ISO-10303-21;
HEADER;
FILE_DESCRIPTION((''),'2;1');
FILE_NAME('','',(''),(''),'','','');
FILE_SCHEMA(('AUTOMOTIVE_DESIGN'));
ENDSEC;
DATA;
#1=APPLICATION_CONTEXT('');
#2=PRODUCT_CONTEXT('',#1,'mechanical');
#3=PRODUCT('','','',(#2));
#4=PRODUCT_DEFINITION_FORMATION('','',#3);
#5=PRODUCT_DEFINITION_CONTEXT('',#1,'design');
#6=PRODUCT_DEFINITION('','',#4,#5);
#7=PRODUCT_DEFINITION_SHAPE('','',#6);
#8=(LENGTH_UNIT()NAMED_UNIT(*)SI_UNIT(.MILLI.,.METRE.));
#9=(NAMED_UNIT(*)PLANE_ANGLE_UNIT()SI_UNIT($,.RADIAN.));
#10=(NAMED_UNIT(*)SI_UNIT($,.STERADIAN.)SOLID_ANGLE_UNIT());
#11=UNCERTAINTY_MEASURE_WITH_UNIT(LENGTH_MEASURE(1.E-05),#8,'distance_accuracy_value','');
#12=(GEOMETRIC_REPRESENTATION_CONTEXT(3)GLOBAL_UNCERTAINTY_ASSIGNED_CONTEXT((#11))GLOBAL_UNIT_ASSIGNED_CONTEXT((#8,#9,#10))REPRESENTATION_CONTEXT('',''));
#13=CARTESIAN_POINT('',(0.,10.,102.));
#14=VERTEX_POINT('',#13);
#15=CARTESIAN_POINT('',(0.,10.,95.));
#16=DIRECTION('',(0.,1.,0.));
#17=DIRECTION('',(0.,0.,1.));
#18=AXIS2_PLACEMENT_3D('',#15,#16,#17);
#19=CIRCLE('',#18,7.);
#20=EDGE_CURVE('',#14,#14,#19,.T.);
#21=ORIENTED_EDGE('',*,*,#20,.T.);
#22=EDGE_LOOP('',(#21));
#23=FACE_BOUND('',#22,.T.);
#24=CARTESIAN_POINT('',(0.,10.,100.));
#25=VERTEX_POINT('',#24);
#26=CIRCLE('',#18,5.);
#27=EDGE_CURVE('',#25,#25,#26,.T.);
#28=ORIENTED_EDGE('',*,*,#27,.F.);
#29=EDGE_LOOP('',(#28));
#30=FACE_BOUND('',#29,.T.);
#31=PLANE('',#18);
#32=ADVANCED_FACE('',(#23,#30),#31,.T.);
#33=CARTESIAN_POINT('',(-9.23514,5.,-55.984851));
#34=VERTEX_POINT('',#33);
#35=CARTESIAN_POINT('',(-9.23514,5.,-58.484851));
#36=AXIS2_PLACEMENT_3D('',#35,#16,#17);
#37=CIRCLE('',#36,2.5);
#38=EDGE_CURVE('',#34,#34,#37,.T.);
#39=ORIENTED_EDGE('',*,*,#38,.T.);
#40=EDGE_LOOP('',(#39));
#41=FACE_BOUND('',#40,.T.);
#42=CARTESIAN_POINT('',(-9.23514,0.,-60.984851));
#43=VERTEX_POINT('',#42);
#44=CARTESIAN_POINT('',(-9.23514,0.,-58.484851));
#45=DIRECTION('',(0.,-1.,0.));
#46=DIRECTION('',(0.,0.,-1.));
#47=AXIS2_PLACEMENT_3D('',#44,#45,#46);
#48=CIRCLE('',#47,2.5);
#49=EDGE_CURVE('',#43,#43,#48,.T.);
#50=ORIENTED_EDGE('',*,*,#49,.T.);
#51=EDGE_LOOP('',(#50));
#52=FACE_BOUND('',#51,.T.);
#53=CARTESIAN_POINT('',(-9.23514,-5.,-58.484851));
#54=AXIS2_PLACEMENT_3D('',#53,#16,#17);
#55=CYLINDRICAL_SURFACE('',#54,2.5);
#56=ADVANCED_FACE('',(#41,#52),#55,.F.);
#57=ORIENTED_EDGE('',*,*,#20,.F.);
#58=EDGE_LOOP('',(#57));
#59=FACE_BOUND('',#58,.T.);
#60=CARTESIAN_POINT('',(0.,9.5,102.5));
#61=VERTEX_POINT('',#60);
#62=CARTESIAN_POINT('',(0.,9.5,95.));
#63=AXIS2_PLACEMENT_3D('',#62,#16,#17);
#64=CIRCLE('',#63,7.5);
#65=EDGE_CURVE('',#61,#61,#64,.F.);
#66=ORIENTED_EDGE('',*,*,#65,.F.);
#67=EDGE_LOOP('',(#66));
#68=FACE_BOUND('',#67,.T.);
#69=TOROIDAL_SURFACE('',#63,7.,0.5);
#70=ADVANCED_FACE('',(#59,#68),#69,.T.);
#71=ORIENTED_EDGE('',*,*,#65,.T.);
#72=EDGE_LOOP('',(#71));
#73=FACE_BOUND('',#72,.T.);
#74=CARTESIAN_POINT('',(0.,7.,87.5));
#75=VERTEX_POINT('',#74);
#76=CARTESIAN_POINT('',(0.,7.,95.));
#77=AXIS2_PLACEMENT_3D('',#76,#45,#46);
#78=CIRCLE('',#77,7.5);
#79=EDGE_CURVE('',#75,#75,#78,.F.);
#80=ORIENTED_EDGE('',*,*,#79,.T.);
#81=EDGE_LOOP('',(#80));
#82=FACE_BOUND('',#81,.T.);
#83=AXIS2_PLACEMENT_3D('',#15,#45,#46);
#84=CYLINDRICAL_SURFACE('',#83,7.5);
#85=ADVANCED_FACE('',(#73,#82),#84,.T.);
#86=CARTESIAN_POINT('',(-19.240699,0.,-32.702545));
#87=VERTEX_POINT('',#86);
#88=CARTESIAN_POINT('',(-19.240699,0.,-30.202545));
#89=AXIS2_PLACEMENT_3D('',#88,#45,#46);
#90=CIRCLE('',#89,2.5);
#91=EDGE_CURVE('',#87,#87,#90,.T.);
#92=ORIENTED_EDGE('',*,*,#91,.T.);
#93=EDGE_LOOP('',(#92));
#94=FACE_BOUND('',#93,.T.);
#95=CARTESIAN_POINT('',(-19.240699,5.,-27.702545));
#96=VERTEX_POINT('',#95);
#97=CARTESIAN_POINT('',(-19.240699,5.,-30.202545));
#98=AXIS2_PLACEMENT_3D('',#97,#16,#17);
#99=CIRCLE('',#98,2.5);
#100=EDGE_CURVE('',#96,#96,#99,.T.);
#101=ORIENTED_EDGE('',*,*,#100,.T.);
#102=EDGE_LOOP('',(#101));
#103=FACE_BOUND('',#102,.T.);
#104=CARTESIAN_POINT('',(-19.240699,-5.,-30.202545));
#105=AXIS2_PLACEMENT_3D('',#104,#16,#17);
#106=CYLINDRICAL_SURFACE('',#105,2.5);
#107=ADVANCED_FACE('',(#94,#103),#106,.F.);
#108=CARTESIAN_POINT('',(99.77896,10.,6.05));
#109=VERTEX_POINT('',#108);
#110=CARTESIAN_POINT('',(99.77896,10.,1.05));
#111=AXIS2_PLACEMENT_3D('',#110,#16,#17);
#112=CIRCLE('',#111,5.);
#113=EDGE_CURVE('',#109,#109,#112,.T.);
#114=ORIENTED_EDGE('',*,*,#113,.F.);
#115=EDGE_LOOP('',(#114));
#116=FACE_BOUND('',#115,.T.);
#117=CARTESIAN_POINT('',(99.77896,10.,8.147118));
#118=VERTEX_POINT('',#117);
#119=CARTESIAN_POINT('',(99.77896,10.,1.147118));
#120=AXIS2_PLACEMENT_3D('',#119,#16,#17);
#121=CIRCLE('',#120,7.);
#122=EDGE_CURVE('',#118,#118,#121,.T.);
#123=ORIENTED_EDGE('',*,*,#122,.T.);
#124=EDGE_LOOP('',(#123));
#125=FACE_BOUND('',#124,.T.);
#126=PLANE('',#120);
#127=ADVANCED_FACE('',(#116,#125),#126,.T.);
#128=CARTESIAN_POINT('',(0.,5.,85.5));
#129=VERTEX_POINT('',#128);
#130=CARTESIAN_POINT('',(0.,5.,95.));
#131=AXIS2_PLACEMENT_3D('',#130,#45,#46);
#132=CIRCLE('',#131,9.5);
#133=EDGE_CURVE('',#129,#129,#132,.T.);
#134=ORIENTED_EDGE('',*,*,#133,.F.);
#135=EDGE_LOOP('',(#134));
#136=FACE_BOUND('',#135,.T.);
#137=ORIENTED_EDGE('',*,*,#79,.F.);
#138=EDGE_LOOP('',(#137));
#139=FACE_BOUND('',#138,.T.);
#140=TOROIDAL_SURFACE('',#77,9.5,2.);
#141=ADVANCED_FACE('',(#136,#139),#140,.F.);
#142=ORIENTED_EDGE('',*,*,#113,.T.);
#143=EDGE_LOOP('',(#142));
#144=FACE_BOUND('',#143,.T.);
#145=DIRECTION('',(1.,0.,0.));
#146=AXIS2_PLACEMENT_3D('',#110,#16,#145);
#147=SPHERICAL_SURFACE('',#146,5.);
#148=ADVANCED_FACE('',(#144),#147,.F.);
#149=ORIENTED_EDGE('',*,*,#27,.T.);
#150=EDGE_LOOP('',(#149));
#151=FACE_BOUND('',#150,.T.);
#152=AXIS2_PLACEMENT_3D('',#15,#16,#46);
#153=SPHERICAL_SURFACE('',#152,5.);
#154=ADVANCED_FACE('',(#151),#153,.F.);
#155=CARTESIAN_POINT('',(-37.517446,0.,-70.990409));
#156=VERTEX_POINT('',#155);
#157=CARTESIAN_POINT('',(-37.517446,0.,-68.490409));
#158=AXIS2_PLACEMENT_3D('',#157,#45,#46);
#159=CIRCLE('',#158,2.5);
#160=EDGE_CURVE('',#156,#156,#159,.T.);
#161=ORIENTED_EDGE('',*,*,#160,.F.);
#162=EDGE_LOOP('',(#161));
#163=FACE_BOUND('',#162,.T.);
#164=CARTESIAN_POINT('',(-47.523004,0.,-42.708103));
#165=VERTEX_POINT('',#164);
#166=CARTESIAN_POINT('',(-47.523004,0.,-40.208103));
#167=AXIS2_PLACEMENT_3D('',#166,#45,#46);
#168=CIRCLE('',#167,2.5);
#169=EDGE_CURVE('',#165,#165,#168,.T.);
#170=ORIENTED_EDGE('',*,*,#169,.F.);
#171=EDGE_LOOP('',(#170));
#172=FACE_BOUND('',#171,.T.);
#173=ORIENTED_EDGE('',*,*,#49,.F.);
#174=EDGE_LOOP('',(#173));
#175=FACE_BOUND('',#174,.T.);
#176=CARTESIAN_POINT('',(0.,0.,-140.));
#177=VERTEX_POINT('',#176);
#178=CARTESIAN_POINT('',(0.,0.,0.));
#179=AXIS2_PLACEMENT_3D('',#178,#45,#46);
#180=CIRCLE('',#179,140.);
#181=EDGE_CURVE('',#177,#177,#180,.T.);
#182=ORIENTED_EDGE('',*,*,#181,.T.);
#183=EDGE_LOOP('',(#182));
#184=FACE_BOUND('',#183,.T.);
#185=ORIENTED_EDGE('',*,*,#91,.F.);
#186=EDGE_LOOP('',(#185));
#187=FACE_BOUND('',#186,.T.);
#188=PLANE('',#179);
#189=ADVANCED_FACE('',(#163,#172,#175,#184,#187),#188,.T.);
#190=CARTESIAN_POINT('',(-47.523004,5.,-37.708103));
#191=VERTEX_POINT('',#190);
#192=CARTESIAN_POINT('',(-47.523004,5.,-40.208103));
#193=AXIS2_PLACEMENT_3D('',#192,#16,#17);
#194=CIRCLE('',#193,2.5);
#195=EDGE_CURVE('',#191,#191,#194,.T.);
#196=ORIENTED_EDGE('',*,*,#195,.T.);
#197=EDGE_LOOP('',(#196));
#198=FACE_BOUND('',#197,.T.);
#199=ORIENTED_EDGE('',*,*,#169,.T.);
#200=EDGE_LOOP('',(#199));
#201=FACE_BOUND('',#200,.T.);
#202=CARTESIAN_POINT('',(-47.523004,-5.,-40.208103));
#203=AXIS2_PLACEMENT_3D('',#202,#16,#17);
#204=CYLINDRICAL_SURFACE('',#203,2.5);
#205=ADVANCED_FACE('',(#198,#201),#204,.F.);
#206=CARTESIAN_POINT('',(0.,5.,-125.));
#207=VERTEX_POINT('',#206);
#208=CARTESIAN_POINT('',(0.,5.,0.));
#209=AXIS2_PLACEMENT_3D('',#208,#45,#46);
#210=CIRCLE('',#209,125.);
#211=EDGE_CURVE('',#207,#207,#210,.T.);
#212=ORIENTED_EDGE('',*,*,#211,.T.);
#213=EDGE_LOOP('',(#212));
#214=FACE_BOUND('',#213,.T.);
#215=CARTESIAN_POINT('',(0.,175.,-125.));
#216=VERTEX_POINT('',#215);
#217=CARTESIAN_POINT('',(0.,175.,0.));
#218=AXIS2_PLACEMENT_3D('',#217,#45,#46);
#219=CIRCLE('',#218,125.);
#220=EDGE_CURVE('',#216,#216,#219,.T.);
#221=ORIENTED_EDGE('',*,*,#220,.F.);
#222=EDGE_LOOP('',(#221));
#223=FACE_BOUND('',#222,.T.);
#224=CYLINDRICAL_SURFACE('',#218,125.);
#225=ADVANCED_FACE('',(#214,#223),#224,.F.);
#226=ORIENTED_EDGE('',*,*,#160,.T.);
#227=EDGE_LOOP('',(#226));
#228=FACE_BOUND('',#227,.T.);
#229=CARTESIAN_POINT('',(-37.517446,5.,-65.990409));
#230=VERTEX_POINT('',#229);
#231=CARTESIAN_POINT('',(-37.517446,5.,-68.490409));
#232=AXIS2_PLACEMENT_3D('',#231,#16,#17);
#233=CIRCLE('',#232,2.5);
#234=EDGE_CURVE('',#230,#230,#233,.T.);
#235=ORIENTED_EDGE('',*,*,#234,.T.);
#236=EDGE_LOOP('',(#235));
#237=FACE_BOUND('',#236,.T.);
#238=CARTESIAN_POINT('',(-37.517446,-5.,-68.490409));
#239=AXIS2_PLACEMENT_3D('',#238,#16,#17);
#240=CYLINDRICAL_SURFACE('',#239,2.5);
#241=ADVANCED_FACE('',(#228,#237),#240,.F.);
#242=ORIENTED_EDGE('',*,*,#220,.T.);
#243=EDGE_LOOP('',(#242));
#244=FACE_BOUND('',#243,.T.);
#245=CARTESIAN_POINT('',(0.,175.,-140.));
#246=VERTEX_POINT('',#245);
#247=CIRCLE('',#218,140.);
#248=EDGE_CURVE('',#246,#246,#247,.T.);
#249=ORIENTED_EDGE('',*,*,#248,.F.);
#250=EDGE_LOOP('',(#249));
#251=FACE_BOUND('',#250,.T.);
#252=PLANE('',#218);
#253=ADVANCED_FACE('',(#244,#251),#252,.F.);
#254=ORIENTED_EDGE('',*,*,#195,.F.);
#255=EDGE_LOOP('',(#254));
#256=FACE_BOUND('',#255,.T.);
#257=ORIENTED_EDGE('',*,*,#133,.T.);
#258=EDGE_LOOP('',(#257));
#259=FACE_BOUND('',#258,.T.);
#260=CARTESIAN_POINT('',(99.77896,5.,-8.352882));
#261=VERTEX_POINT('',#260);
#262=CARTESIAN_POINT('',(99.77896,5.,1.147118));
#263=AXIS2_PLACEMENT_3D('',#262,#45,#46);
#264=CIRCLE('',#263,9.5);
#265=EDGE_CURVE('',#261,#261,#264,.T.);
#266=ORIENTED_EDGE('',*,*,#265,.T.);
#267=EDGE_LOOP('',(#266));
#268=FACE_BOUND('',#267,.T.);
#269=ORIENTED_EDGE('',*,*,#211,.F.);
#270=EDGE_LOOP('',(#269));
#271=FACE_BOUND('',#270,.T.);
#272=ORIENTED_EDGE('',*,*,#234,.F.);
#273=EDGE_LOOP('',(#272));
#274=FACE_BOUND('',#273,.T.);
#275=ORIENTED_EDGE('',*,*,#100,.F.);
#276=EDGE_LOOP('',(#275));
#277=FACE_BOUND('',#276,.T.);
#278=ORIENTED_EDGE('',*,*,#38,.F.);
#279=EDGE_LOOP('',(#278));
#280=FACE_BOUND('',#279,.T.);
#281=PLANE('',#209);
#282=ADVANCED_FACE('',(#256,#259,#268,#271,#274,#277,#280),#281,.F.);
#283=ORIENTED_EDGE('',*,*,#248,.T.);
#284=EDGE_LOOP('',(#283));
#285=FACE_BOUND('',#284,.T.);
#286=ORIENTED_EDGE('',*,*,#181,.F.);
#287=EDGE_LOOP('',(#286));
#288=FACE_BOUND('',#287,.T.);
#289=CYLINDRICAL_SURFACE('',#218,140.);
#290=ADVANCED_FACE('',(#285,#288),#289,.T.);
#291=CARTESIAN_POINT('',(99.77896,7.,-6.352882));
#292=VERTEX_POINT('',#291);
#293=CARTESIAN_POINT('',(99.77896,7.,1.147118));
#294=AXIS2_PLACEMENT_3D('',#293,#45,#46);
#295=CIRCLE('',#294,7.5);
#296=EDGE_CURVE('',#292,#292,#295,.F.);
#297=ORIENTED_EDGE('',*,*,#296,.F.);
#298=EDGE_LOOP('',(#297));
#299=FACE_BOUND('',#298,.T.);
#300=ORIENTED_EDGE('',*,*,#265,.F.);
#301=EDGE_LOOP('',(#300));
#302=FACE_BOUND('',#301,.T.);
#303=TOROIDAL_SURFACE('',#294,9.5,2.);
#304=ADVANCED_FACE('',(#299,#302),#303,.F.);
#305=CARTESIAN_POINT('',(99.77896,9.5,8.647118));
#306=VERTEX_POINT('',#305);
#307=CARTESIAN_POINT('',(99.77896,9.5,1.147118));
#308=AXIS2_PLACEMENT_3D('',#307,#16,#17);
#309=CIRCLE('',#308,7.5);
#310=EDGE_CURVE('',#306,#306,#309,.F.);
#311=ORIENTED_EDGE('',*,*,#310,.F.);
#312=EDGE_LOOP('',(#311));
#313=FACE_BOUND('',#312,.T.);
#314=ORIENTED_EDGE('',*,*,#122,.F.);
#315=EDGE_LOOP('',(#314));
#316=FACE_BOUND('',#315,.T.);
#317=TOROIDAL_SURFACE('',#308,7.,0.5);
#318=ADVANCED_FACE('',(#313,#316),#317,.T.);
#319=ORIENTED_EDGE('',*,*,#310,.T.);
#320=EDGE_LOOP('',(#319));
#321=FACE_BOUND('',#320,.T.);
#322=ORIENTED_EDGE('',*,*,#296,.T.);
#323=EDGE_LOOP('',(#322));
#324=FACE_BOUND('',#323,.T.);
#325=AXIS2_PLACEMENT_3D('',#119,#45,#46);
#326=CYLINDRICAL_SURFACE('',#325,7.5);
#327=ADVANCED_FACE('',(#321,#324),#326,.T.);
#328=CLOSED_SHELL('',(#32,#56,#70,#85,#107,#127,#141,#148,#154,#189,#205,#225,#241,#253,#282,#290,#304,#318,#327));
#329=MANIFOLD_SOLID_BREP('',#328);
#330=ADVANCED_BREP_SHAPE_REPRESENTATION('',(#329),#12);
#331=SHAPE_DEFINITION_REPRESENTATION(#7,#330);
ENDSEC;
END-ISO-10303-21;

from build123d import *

# Parameters (mm, degrees)
SKETCH1_W           = 250
SKETCH1_H           = 250
BOSS_EXTRUDE1_DEPTH = 5
SKETCH8_R           = 7.5
BOSS_EXTRUDE3_DEPTH = 5
FILLET6_R           = 2
FILLET7_R           = 0.5
SKETCH11_R          = 2.5
CUT_EXTRUDE4_DEPTH  = 10
SKETCH12_OUTSIDE_W  = 322.738
SKETCH12_OUTSIDE_H  = 322.738
SKETCH12_OUTSIDE_R  = 125
CUT_EXTRUDE5_DEPTH  = 10
SKETCH13_R          = 140
SKETCH13_R_2        = 125
BOSS_EXTRUDE4_DEPTH = 175


with BuildPart() as part:
    # Sketch1 → Boss-Extrude1 (new body)
    with BuildSketch(Plane(origin=(0, 0, 0), x_dir=(1, 0, 0), z_dir=(0, 1, 0))):
        Rectangle(SKETCH1_W, SKETCH1_H)
    extrude(amount=BOSS_EXTRUDE1_DEPTH)

    # Sketch8 → Boss-Extrude3 (add)
    with BuildSketch(Plane(origin=(0, 5, 0), x_dir=(1, 0, 0), z_dir=(0, 1, 0))):
        with Locations(Location((99.778960279, -1.147118049, 0), (0, 0, 90))):
            Circle(SKETCH8_R)
        with Locations(Location((0, -95, 0), (0, 0, 90))):
            Circle(SKETCH8_R)
    extrude(amount=BOSS_EXTRUDE3_DEPTH)

    # Sketch9 → Cut-Revolve3 (revolve, cut)
    with BuildSketch(Plane(origin=(0, 0, 0), x_dir=(0, 0, -1), z_dir=(1, 0, 0))):
        with BuildLine():
            Line((-95, 15), (-95, 5))
            ThreePointArc((-95, 5), (-100, 10), (-95, 15))
        make_face()
    revolve(axis=Axis((0, 10, 95), (0, -1, 0)), mode=Mode.SUBTRACT)

    # Sketch10 → Cut-Revolve4 (revolve, cut)
    with BuildSketch(Plane.XY.offset(1.05)):
        with BuildLine():
            Line((99.778960279, 15), (99.778960279, 5))
            ThreePointArc((99.778960279, 5), (94.778960279, 10), (99.778960279, 15))
        make_face()
    revolve(axis=Axis((99.778960279, 15, 1.05), (0, -1, 0)), mode=Mode.SUBTRACT)

    # Fillet6
    fillet6_edges = [part.edges().sort_by_distance(p)[0] for p in [
        (99.778960279, 5, 8.647118049),
        (0, 5, 102.5),
    ]]
    fillet(fillet6_edges, radius=FILLET6_R)

    # Fillet7
    fillet7_edges = [part.edges().sort_by_distance(p)[0] for p in [
        (99.778960279, 10, 8.647118049),
        (0, 10, 102.5),
    ]]
    fillet(fillet7_edges, radius=FILLET7_R)

    # Sketch11 → Cut-Extrude4 (cut)
    with BuildSketch(Plane(origin=(0, 5, 0), x_dir=(1, 0, 0), z_dir=(0, 1, 0))):
        with Locations(Location((-19.240698593, 30.202545091, 0), (0, 0, 270))):
            Circle(SKETCH11_R)
        with Locations(Location((-37.517445985, 68.490408766, 0), (0, 0, 270))):
            Circle(SKETCH11_R)
        with Locations(Location((-47.523004126, 40.208103233, 0), (0, 0, 270))):
            Circle(SKETCH11_R)
        with Locations(Location((-9.235140451, 58.484850625, 0), (0, 0, 270))):
            Circle(SKETCH11_R)
    extrude(amount=-CUT_EXTRUDE4_DEPTH, mode=Mode.SUBTRACT)

    # Sketch12 outside → Cut-Extrude5 (cut)
    with BuildSketch(Plane(origin=(0, 0, 0), x_dir=(-1, 0, 0), z_dir=(0, -1, 0))):
        Rectangle(SKETCH12_OUTSIDE_W, SKETCH12_OUTSIDE_H)
        with Locations(Location((0, 0, 0), (0, 0, 90))):
            Circle(SKETCH12_OUTSIDE_R, mode=Mode.SUBTRACT)
    extrude(amount=-CUT_EXTRUDE5_DEPTH, mode=Mode.SUBTRACT)

    # Sketch13 → Boss-Extrude4 (add)
    with BuildSketch(Plane.XZ):
        with Locations(Location((0, 0, 0), (0, 0, 270))):
            Circle(SKETCH13_R)
        with Locations(Location((0, 0, 0), (0, 0, 270))):
            Circle(SKETCH13_R_2, mode=Mode.SUBTRACT)
    extrude(amount=-BOSS_EXTRUDE4_DEPTH)


solid = part.part
